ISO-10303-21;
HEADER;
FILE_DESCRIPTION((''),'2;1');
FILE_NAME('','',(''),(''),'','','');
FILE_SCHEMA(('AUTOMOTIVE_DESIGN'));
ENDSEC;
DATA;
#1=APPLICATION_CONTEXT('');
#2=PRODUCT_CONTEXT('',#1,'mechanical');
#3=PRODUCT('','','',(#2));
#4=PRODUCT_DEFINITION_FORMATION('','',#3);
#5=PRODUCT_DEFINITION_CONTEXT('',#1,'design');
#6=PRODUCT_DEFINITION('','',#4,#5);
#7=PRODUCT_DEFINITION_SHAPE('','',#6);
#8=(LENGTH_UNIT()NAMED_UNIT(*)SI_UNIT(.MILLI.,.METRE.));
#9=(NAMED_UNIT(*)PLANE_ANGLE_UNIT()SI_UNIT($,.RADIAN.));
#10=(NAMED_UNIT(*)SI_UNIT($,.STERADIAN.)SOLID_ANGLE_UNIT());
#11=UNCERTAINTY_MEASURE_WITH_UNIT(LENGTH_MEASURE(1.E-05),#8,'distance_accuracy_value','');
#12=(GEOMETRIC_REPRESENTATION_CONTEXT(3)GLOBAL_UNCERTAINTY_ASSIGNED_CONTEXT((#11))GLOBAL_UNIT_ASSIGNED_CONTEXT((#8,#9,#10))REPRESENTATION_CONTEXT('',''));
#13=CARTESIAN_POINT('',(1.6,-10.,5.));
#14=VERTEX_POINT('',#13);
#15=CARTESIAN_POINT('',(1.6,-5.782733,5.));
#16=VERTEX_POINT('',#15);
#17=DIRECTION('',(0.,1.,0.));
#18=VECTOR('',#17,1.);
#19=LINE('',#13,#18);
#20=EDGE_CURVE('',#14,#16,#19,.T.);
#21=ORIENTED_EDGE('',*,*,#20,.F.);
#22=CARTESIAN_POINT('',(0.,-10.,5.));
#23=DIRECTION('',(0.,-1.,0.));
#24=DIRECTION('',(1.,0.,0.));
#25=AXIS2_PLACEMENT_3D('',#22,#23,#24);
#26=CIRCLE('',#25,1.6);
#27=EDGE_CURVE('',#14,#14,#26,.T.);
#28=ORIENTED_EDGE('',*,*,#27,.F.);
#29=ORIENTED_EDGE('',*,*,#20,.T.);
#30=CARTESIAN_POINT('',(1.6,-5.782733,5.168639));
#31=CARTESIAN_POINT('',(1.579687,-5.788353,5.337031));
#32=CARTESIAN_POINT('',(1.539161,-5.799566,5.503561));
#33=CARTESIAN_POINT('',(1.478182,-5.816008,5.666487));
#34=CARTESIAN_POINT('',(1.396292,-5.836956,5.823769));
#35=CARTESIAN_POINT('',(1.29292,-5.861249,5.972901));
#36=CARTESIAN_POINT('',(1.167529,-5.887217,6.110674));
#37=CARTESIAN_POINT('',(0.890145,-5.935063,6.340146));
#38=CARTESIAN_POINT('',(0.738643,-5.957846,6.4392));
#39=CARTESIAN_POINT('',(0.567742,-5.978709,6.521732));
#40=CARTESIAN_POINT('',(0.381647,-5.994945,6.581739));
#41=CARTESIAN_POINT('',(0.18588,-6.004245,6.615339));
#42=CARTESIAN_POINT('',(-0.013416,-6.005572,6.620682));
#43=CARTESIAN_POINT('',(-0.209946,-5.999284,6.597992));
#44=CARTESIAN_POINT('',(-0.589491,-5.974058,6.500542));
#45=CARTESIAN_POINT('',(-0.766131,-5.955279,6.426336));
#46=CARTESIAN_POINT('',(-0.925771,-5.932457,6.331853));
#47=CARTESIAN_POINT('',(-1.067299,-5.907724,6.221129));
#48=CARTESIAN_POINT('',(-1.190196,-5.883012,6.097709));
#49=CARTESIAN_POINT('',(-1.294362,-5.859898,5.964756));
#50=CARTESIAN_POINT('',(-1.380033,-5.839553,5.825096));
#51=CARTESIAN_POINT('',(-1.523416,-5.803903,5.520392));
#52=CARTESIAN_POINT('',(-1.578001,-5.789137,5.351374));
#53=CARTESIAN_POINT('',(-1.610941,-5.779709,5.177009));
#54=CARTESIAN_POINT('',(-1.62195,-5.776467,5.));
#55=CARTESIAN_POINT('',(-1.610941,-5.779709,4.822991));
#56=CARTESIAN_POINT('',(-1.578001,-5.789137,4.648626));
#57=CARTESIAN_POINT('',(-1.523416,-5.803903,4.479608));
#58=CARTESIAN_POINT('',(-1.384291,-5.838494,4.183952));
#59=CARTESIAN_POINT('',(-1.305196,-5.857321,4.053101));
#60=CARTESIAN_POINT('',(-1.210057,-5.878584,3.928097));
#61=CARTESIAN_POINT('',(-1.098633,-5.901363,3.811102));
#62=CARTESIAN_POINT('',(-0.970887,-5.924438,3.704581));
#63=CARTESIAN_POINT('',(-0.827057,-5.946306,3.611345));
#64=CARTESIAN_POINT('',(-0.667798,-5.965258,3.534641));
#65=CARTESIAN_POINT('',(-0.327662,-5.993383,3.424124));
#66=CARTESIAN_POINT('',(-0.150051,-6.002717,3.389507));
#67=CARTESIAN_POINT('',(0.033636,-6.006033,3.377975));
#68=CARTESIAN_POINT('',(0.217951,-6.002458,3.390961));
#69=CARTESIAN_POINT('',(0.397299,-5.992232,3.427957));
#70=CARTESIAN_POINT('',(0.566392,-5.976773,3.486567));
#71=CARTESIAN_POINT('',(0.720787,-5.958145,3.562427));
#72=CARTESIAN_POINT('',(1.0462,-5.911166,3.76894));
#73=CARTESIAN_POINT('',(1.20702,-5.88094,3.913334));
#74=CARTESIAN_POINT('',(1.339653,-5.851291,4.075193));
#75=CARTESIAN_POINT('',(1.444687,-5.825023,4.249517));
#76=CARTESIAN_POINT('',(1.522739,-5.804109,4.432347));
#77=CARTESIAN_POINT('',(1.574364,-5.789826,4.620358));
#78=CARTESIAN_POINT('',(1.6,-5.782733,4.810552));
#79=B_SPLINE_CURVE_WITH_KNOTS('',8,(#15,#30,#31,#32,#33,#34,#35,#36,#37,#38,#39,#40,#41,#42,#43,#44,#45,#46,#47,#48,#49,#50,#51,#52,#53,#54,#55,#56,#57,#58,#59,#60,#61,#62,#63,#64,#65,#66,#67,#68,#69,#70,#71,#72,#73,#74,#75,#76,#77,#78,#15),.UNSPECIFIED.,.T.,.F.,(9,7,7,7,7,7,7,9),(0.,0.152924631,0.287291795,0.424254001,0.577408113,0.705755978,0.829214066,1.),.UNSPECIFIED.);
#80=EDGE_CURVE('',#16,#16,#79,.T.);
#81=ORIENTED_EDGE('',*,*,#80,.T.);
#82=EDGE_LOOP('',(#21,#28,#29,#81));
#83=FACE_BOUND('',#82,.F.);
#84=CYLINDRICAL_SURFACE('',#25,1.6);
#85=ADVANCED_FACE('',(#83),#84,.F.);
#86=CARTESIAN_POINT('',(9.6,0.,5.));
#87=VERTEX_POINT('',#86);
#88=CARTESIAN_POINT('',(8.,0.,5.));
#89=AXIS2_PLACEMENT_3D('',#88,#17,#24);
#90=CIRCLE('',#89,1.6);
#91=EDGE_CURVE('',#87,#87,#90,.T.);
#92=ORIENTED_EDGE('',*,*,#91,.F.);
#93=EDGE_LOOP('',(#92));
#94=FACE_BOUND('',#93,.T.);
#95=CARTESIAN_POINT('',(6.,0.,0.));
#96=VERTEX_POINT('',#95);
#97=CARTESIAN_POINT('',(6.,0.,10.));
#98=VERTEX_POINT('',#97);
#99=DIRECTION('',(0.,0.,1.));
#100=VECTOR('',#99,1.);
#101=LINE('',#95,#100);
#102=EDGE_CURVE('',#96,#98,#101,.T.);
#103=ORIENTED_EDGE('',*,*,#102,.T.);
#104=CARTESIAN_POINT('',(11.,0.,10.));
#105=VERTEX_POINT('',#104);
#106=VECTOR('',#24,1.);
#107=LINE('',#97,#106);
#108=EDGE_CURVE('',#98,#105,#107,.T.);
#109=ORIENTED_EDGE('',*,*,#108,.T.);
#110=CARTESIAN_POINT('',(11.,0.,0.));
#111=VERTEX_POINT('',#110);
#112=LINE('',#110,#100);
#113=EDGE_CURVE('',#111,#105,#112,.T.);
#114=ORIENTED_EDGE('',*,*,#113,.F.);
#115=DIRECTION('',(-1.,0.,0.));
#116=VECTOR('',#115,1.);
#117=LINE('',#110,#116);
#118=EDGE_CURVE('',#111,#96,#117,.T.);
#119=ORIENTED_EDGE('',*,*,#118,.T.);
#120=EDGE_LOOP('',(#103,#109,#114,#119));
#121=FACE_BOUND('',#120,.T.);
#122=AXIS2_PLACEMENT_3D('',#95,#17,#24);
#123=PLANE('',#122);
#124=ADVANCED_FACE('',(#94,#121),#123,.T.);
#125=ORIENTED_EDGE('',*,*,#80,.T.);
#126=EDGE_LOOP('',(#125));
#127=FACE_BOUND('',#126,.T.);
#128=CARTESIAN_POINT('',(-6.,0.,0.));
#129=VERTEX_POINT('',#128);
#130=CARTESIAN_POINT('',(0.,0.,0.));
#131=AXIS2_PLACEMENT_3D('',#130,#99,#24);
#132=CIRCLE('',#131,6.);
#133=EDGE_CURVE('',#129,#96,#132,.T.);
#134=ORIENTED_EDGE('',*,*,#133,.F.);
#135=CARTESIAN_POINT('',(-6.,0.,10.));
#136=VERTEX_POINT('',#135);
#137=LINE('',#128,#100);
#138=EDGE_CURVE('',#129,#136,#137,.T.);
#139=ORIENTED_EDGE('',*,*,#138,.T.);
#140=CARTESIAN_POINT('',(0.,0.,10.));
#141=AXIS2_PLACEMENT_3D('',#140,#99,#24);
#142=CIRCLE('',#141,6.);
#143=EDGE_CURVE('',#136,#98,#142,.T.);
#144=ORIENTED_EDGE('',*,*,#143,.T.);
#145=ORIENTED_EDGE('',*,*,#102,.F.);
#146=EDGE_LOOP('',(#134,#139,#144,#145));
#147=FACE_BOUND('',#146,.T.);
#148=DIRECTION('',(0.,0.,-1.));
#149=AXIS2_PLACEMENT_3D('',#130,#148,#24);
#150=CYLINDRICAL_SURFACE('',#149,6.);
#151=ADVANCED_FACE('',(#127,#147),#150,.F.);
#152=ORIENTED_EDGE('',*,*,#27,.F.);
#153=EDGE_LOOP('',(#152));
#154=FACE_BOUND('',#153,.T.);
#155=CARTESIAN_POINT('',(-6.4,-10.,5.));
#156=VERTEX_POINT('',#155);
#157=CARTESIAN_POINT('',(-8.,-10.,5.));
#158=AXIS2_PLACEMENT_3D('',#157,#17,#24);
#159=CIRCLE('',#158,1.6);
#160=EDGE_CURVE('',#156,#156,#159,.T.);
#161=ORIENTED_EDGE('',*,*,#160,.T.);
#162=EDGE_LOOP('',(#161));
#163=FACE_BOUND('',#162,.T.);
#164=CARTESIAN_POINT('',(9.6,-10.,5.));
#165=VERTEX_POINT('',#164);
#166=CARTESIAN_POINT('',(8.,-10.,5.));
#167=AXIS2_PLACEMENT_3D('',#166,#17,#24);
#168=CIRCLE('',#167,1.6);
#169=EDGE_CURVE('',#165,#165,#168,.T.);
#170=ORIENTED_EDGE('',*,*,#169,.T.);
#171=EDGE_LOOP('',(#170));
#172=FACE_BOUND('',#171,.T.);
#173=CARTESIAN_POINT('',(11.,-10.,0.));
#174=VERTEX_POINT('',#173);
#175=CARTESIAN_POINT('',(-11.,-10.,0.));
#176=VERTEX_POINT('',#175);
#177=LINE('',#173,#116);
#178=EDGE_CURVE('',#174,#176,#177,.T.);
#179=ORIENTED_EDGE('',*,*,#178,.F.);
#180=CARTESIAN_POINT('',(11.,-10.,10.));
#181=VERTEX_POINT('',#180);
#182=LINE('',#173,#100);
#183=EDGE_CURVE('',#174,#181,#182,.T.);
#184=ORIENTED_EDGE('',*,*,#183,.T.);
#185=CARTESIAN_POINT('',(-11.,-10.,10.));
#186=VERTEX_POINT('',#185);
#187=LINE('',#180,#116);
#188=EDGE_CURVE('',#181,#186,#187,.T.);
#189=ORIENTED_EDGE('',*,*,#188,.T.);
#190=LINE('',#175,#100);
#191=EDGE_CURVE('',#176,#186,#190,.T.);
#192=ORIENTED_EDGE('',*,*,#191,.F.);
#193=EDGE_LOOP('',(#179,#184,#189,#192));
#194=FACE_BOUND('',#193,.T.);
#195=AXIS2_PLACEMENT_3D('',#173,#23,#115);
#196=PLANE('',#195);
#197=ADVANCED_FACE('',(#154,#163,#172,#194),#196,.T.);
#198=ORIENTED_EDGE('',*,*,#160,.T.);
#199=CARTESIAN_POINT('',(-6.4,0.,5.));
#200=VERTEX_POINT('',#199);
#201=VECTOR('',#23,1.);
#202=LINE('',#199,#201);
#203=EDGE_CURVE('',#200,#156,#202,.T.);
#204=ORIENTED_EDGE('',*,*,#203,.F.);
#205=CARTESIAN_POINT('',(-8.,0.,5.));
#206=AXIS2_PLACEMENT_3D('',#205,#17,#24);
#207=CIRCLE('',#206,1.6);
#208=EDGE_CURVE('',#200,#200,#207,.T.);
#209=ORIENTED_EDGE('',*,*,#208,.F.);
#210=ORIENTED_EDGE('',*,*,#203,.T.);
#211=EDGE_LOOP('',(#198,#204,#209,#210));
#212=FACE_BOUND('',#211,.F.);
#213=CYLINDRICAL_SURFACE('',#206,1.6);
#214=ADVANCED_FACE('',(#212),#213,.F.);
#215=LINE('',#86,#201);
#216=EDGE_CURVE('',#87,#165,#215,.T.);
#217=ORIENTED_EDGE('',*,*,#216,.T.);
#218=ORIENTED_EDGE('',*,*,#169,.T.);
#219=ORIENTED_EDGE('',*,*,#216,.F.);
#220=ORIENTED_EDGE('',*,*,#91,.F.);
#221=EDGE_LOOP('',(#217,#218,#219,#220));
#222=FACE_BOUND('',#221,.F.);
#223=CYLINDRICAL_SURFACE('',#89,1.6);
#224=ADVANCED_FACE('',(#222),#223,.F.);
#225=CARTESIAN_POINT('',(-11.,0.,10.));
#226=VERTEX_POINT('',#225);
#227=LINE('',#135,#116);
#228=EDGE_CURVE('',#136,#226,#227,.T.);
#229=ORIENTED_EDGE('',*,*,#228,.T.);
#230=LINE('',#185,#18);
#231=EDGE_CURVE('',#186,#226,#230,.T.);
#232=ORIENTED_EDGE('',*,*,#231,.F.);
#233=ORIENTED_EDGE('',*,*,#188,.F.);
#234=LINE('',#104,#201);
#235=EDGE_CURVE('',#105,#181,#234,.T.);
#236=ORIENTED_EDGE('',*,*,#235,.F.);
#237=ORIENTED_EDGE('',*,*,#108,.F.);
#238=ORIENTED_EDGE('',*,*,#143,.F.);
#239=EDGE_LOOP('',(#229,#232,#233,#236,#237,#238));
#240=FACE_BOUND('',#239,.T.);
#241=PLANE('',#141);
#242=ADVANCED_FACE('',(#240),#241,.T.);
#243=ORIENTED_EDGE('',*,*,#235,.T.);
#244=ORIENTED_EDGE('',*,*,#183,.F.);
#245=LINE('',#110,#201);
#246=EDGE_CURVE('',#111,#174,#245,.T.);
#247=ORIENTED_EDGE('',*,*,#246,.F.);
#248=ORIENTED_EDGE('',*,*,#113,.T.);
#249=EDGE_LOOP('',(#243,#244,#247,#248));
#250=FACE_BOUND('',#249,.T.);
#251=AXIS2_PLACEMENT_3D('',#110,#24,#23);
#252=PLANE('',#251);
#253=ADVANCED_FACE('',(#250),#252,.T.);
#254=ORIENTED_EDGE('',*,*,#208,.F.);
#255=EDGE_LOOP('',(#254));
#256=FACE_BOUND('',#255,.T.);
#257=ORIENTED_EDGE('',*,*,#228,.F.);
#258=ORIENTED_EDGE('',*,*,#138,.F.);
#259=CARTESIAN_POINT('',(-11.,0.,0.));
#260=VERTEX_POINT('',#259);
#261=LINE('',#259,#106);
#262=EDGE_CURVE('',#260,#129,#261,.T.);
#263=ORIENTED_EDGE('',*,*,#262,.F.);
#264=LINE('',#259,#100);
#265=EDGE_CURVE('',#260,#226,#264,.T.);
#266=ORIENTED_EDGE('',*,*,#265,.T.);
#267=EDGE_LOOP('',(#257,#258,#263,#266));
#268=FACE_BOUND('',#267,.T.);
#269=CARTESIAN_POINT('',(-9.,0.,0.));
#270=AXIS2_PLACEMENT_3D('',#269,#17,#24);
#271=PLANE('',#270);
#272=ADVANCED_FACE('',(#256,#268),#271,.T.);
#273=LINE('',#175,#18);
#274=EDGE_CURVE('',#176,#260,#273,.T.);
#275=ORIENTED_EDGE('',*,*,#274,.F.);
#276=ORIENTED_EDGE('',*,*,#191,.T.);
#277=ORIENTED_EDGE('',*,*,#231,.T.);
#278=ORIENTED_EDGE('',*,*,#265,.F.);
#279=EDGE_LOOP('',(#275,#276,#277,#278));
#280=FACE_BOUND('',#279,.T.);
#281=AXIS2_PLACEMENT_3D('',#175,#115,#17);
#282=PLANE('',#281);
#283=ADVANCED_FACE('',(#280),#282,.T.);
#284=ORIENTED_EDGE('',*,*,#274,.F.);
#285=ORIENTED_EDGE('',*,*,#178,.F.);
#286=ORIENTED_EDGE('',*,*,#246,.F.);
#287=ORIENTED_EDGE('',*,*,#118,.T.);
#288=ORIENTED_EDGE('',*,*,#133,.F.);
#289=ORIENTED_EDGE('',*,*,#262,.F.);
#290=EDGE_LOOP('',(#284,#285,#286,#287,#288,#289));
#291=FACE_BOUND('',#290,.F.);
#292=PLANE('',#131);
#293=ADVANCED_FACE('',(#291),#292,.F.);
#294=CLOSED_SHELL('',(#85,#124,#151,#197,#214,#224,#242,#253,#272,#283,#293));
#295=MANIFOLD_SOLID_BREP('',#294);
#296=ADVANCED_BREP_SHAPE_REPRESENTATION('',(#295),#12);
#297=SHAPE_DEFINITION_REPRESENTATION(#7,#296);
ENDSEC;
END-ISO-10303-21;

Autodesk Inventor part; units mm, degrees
ref_plane "YZ Plane" through (0, 0, 0) normal (1, 0, 0) x (0, 1, 0)
ref_plane "XZ Plane" through (0, 0, 0) normal (0, 1, 0) x (-1, 0, 0)
ref_plane "XY Plane" through (0, 0, 0) normal (0, 0, 1) x (1, 0, 0)
sketch "Sketch2" plane through (0, 0, 0) normal (0, 0, 1) x (1, 0, 0)
  circle A0 centre (0, 0) radius 6
  line L0 (-11, 0) -> (11, 0)
  line L1 (11, 0) -> (11, -10)
  line L2 (11, -10) -> (-11, -10)
  line L3 (-11, -10) -> (-11, 0)
  circle A1 centre (0, 0) radius 9
  point P0 (6, 0)
  point P1 (-6, 0)
  dimension "d0" = 12
  dimension "d1" = 11
  dimension "d2" = 11
  dimension "d3" = 10
  dimension "d4" = 3
extrude "Extrusion1" add sketch "Sketch2" along normal blind 10 contours L0 A1 A0 | L0 L1 L2 L3 A1 picked at (-7.9128, -0.7179)
sketch "Sketch3" plane through (6, 0, 0) normal (0, 1, 0) x (1, 0, 0)
  circle A0 centre (2, -5) radius 1.6
  line L0 (5, 0) -> (5, -10) projected
  line L1 (5, 0) -> (0, 0) projected
  circle A1 centre (-14, -5) radius 1.6
  line L2 (-17, 0) -> (-17, -10) projected
  line L3 (-12, 0) -> (-17, 0) projected
  point P0 (-6, 0)
  dimension "d7" = 3.2
  dimension "d8" = 3
  dimension "d9" = 5
  dimension "d10" = 3.2
  dimension "d11" = 3
  dimension "d12" = 5
extrude "Extrusion2" cut sketch "Sketch3" against normal blind 10
sketch "Sketch4" plane through (-11, -10, 0) normal (0, -1, 0) x (1, 0, 0)
  circle A0 centre (11, 5) radius 1.6
  line L0 (0, 0) -> (22, 0) projected
  point P0 (11, 0)
  dimension "d15" = 3.2
  dimension "d16" = 5
extrude "Extrusion3" cut sketch "Sketch4" against normal blind 10
equation "\"d2\" = d1"
properties part number "Tube_mount_centering"
